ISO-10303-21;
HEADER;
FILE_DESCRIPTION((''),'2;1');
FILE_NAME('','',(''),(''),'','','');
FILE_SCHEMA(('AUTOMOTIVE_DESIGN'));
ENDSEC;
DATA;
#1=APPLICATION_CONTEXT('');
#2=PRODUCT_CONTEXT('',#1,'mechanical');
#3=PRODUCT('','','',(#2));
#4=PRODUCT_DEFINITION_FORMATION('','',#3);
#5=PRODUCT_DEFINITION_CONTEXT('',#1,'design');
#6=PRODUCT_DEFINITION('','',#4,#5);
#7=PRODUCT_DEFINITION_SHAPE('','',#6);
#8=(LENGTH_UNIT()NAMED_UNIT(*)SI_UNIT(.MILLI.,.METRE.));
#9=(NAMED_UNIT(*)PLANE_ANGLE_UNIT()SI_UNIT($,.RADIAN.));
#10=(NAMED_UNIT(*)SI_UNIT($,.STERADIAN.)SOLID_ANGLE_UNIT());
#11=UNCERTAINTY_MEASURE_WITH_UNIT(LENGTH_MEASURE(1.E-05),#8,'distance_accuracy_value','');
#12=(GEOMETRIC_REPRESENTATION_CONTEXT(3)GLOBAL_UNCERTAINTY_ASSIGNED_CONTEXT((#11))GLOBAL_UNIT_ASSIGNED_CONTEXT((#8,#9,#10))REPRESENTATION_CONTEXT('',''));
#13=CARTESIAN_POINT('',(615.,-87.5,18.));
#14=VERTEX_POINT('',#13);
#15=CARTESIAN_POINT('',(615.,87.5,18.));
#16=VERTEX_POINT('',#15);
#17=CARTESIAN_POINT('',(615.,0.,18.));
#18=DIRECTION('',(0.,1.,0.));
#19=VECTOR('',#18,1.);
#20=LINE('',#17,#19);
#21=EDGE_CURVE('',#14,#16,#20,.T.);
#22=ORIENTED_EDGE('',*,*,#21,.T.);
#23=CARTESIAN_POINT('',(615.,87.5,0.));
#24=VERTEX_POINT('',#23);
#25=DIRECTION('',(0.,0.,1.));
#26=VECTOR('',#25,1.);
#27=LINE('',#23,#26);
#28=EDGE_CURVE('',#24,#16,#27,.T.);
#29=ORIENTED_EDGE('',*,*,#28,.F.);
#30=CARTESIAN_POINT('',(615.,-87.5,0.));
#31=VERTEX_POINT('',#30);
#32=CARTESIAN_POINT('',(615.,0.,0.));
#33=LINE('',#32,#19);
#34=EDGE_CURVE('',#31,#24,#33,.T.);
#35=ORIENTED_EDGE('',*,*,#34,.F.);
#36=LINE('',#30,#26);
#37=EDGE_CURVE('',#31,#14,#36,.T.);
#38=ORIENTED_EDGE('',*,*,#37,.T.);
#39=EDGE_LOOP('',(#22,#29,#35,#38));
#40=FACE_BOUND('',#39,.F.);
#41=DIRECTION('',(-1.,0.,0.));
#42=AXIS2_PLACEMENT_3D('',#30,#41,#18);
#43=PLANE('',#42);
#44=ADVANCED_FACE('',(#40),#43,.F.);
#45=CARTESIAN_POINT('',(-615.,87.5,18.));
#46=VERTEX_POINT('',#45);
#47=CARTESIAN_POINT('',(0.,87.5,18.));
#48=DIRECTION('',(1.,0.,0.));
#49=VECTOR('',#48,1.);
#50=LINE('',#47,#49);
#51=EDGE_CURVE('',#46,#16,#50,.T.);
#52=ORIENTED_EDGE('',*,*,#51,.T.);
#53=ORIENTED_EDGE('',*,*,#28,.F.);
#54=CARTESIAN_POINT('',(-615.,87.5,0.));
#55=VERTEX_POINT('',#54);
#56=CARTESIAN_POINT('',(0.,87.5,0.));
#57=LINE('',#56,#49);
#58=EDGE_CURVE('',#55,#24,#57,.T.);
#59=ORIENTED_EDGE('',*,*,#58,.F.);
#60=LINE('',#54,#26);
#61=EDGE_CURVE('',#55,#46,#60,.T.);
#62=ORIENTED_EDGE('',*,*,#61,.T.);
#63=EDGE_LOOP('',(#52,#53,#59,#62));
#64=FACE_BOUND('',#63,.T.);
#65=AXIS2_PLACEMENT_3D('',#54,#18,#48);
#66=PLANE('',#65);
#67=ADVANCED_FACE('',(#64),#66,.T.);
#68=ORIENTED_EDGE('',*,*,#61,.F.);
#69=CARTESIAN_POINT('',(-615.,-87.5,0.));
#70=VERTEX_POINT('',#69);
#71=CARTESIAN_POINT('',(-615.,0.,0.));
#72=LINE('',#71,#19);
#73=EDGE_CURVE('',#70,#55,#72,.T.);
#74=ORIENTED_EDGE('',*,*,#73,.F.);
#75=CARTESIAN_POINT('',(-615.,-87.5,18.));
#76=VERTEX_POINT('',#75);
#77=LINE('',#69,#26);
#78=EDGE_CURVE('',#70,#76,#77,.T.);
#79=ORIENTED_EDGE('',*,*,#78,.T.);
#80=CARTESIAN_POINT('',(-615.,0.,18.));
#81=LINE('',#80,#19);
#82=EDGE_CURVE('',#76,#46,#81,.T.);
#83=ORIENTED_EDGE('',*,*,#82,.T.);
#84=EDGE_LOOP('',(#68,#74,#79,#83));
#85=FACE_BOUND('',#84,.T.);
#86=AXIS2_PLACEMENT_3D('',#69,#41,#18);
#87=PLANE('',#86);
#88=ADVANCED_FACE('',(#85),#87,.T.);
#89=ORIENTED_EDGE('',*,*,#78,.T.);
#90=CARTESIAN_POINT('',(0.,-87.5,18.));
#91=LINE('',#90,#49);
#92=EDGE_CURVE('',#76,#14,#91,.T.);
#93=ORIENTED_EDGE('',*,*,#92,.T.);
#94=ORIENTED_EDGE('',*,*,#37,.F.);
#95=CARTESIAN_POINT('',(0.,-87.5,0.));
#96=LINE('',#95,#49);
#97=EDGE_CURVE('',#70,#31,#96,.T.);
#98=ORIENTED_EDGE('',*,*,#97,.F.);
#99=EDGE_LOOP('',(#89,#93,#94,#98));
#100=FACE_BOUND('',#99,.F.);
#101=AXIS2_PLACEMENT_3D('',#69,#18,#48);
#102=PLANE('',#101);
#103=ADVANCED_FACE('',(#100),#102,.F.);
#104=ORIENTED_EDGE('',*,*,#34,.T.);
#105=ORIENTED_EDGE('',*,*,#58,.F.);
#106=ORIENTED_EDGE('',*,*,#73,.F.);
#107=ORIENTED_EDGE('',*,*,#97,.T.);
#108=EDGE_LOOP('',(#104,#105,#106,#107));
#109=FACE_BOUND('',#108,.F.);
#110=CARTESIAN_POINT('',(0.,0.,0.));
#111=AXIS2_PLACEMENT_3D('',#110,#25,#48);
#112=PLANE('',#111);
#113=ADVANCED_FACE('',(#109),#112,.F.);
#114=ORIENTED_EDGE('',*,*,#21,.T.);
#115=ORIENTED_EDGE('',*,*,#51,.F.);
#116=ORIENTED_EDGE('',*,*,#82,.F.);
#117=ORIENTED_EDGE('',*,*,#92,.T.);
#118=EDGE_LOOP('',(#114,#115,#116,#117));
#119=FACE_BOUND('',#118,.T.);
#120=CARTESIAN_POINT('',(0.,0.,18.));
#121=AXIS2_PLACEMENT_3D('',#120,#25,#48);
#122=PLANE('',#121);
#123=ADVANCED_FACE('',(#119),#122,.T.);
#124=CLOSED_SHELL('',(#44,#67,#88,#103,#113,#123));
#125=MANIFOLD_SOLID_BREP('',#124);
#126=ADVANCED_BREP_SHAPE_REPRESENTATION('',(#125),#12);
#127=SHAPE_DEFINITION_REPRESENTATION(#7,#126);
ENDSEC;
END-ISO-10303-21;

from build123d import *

# Parameters (mm, degrees)
SKETCH_W  = 1230
SKETCH_H  = 175
PAD_DEPTH = 18


with BuildPart() as part:
    # Sketch → Pad (new body)
    with BuildSketch(Plane.XY):
        Rectangle(SKETCH_W, SKETCH_H)
    extrude(amount=PAD_DEPTH)


solid = part.part
